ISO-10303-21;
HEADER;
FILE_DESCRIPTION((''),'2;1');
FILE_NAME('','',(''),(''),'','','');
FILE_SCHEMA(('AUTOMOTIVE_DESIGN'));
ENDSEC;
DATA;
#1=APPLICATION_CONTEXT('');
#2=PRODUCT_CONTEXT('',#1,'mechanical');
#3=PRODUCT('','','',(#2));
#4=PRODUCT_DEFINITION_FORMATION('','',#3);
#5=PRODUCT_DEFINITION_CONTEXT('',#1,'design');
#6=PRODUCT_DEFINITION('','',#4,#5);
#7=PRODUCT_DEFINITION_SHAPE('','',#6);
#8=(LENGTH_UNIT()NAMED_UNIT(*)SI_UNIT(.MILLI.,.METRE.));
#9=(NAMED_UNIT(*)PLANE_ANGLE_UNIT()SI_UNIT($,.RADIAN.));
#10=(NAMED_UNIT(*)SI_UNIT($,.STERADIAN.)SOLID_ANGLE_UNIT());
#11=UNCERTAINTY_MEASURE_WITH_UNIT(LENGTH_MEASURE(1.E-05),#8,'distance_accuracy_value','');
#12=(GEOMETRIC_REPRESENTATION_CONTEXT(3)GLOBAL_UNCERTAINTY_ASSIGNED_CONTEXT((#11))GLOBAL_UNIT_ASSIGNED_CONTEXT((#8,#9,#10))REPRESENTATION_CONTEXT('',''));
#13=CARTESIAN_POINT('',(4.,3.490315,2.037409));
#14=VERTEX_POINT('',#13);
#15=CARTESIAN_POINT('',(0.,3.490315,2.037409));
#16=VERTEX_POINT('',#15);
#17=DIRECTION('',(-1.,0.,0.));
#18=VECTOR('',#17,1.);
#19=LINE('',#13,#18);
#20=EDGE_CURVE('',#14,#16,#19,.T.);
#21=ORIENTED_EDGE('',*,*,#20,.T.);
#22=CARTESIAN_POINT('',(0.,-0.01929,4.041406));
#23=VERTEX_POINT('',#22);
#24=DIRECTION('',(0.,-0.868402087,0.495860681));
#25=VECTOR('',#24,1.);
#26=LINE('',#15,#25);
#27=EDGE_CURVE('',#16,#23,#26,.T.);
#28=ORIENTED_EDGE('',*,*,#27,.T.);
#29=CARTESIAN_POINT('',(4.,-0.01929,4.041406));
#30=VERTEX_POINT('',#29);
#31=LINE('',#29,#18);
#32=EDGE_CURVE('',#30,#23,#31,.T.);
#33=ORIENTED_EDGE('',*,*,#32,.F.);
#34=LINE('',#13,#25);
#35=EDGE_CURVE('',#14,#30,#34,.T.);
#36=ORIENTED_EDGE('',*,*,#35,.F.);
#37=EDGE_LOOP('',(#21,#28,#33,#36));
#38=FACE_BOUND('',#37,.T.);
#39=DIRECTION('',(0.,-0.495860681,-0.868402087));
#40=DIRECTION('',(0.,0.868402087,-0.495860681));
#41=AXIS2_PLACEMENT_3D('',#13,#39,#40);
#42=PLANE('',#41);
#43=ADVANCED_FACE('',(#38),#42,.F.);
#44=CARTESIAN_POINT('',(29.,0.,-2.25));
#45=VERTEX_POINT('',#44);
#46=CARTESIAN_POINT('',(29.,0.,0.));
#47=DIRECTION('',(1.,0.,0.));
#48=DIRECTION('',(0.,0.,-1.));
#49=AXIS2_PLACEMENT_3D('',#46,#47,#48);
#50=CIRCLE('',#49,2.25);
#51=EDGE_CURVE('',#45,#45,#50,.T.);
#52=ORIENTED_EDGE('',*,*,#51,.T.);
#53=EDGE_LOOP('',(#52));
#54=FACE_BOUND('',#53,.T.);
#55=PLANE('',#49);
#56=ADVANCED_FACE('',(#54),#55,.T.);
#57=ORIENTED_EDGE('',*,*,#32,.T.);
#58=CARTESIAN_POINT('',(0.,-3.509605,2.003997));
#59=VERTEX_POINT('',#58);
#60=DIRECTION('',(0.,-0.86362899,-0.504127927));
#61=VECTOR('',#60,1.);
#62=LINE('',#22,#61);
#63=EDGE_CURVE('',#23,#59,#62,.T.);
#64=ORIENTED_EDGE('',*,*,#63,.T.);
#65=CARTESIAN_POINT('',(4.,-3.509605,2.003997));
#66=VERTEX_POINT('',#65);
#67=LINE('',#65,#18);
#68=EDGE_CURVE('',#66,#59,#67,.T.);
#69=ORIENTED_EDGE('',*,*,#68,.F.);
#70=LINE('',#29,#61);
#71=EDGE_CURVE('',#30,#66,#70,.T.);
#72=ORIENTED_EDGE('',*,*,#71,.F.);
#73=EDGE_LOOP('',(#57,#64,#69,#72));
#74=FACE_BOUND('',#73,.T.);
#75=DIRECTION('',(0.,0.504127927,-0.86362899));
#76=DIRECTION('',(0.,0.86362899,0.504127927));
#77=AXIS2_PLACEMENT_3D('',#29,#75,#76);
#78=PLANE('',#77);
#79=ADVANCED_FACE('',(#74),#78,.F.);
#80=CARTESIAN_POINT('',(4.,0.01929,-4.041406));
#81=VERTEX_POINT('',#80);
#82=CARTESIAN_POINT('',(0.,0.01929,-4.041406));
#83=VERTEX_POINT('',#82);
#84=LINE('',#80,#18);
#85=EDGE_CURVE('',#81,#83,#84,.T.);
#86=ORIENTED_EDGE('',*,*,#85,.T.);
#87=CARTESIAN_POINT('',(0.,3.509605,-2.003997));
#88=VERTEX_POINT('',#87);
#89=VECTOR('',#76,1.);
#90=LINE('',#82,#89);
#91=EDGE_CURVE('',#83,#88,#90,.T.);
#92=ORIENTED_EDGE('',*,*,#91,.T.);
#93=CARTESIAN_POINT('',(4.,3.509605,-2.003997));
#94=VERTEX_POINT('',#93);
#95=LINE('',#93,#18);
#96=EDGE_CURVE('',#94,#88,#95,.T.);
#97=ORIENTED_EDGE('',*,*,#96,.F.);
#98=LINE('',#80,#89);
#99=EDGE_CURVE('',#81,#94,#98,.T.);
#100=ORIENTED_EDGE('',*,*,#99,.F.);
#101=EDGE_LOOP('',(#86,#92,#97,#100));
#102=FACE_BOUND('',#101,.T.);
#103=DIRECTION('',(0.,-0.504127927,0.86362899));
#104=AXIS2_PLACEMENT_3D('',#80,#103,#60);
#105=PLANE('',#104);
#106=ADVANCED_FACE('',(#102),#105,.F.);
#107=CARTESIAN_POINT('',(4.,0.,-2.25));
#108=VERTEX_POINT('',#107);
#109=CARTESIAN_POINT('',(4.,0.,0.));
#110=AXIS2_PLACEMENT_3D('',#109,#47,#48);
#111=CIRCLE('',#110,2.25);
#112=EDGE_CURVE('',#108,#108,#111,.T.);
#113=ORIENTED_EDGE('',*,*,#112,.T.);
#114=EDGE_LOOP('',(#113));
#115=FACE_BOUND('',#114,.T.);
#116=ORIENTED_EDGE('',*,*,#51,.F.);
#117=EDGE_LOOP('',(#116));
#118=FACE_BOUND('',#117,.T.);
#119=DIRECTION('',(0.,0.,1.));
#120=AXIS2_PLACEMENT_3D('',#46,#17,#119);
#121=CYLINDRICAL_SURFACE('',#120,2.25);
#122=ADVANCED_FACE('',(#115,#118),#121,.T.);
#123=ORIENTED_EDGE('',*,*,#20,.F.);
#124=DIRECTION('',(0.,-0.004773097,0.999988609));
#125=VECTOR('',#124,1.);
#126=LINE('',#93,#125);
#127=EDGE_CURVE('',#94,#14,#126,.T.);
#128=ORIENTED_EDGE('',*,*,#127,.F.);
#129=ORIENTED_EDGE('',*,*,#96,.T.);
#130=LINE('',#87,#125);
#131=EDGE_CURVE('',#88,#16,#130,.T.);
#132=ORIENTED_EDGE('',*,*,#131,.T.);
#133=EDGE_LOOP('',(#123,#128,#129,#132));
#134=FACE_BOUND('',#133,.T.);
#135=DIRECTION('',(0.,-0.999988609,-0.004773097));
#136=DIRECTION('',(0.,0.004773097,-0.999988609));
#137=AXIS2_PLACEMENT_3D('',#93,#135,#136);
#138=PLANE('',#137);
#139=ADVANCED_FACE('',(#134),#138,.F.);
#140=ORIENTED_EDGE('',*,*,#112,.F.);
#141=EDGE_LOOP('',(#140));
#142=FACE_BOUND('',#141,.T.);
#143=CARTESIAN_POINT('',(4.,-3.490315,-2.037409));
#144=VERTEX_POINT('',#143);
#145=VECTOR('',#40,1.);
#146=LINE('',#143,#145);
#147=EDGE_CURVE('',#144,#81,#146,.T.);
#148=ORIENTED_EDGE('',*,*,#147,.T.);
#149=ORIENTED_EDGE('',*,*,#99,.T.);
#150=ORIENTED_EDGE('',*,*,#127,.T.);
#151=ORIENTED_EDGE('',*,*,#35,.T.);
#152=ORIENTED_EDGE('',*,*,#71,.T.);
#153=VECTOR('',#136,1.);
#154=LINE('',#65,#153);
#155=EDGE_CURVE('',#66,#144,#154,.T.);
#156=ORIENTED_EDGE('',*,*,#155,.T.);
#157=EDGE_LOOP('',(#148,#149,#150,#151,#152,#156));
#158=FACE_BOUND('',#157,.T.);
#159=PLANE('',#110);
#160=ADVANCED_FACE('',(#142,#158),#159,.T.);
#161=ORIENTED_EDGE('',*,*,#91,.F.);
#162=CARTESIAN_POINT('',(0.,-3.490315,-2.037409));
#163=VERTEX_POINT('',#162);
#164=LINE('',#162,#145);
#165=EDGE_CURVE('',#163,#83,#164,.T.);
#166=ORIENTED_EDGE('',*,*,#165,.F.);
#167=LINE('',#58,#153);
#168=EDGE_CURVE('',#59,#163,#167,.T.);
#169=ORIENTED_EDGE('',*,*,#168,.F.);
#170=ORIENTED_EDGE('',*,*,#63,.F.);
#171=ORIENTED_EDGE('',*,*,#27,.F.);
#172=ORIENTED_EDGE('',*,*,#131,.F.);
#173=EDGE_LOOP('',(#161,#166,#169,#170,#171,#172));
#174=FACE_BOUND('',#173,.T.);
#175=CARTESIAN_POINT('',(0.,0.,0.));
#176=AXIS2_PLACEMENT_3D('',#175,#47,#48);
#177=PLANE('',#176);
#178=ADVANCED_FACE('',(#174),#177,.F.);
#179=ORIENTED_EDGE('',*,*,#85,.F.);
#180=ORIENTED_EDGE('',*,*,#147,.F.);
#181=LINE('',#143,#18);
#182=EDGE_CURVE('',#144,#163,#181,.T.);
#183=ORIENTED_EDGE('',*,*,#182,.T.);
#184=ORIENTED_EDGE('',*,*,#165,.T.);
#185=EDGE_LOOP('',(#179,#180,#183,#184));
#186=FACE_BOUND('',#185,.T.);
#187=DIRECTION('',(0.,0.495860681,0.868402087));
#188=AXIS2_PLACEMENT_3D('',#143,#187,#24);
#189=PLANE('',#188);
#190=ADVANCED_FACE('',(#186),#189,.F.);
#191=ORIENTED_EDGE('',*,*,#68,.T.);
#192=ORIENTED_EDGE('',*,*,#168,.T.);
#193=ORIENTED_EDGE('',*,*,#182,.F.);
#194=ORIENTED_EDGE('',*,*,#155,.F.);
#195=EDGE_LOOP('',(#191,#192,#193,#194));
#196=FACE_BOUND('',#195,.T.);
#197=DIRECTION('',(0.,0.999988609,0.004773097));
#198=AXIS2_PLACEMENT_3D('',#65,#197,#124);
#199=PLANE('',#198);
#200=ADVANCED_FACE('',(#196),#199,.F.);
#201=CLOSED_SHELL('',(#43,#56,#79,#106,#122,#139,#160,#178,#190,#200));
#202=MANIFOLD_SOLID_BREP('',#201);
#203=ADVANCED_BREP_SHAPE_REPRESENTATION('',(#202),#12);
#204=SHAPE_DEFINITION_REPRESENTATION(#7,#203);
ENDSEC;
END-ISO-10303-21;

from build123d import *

# Parameters (mm, degrees)
BOSS_EXTRUDE1_DEPTH = 4
SKETCH3_R           = 2.25
BOSS_EXTRUDE2_DEPTH = 25


with BuildPart() as part:
    # Sketch2 → Boss-Extrude1 (new body)
    with BuildSketch(Plane(origin=(0, 0, 0), x_dir=(0, 0, -1), z_dir=(1, 0, 0))):
        Polygon((2.037408762, -3.49031501), (4.041405847, 0.019290241), (2.003997085, 3.509605251), (-2.037408762, 3.49031501), (-4.041405847, -0.019290241), (-2.003997085, -3.509605251), align=None)
    extrude(amount=BOSS_EXTRUDE1_DEPTH)

    # Sketch3 → Boss-Extrude2 (add)
    with BuildSketch(Plane(origin=(4, 0, 0), x_dir=(0, 0, -1), z_dir=(1, 0, 0))):
        Circle(SKETCH3_R)
    extrude(amount=BOSS_EXTRUDE2_DEPTH)


solid = part.part
